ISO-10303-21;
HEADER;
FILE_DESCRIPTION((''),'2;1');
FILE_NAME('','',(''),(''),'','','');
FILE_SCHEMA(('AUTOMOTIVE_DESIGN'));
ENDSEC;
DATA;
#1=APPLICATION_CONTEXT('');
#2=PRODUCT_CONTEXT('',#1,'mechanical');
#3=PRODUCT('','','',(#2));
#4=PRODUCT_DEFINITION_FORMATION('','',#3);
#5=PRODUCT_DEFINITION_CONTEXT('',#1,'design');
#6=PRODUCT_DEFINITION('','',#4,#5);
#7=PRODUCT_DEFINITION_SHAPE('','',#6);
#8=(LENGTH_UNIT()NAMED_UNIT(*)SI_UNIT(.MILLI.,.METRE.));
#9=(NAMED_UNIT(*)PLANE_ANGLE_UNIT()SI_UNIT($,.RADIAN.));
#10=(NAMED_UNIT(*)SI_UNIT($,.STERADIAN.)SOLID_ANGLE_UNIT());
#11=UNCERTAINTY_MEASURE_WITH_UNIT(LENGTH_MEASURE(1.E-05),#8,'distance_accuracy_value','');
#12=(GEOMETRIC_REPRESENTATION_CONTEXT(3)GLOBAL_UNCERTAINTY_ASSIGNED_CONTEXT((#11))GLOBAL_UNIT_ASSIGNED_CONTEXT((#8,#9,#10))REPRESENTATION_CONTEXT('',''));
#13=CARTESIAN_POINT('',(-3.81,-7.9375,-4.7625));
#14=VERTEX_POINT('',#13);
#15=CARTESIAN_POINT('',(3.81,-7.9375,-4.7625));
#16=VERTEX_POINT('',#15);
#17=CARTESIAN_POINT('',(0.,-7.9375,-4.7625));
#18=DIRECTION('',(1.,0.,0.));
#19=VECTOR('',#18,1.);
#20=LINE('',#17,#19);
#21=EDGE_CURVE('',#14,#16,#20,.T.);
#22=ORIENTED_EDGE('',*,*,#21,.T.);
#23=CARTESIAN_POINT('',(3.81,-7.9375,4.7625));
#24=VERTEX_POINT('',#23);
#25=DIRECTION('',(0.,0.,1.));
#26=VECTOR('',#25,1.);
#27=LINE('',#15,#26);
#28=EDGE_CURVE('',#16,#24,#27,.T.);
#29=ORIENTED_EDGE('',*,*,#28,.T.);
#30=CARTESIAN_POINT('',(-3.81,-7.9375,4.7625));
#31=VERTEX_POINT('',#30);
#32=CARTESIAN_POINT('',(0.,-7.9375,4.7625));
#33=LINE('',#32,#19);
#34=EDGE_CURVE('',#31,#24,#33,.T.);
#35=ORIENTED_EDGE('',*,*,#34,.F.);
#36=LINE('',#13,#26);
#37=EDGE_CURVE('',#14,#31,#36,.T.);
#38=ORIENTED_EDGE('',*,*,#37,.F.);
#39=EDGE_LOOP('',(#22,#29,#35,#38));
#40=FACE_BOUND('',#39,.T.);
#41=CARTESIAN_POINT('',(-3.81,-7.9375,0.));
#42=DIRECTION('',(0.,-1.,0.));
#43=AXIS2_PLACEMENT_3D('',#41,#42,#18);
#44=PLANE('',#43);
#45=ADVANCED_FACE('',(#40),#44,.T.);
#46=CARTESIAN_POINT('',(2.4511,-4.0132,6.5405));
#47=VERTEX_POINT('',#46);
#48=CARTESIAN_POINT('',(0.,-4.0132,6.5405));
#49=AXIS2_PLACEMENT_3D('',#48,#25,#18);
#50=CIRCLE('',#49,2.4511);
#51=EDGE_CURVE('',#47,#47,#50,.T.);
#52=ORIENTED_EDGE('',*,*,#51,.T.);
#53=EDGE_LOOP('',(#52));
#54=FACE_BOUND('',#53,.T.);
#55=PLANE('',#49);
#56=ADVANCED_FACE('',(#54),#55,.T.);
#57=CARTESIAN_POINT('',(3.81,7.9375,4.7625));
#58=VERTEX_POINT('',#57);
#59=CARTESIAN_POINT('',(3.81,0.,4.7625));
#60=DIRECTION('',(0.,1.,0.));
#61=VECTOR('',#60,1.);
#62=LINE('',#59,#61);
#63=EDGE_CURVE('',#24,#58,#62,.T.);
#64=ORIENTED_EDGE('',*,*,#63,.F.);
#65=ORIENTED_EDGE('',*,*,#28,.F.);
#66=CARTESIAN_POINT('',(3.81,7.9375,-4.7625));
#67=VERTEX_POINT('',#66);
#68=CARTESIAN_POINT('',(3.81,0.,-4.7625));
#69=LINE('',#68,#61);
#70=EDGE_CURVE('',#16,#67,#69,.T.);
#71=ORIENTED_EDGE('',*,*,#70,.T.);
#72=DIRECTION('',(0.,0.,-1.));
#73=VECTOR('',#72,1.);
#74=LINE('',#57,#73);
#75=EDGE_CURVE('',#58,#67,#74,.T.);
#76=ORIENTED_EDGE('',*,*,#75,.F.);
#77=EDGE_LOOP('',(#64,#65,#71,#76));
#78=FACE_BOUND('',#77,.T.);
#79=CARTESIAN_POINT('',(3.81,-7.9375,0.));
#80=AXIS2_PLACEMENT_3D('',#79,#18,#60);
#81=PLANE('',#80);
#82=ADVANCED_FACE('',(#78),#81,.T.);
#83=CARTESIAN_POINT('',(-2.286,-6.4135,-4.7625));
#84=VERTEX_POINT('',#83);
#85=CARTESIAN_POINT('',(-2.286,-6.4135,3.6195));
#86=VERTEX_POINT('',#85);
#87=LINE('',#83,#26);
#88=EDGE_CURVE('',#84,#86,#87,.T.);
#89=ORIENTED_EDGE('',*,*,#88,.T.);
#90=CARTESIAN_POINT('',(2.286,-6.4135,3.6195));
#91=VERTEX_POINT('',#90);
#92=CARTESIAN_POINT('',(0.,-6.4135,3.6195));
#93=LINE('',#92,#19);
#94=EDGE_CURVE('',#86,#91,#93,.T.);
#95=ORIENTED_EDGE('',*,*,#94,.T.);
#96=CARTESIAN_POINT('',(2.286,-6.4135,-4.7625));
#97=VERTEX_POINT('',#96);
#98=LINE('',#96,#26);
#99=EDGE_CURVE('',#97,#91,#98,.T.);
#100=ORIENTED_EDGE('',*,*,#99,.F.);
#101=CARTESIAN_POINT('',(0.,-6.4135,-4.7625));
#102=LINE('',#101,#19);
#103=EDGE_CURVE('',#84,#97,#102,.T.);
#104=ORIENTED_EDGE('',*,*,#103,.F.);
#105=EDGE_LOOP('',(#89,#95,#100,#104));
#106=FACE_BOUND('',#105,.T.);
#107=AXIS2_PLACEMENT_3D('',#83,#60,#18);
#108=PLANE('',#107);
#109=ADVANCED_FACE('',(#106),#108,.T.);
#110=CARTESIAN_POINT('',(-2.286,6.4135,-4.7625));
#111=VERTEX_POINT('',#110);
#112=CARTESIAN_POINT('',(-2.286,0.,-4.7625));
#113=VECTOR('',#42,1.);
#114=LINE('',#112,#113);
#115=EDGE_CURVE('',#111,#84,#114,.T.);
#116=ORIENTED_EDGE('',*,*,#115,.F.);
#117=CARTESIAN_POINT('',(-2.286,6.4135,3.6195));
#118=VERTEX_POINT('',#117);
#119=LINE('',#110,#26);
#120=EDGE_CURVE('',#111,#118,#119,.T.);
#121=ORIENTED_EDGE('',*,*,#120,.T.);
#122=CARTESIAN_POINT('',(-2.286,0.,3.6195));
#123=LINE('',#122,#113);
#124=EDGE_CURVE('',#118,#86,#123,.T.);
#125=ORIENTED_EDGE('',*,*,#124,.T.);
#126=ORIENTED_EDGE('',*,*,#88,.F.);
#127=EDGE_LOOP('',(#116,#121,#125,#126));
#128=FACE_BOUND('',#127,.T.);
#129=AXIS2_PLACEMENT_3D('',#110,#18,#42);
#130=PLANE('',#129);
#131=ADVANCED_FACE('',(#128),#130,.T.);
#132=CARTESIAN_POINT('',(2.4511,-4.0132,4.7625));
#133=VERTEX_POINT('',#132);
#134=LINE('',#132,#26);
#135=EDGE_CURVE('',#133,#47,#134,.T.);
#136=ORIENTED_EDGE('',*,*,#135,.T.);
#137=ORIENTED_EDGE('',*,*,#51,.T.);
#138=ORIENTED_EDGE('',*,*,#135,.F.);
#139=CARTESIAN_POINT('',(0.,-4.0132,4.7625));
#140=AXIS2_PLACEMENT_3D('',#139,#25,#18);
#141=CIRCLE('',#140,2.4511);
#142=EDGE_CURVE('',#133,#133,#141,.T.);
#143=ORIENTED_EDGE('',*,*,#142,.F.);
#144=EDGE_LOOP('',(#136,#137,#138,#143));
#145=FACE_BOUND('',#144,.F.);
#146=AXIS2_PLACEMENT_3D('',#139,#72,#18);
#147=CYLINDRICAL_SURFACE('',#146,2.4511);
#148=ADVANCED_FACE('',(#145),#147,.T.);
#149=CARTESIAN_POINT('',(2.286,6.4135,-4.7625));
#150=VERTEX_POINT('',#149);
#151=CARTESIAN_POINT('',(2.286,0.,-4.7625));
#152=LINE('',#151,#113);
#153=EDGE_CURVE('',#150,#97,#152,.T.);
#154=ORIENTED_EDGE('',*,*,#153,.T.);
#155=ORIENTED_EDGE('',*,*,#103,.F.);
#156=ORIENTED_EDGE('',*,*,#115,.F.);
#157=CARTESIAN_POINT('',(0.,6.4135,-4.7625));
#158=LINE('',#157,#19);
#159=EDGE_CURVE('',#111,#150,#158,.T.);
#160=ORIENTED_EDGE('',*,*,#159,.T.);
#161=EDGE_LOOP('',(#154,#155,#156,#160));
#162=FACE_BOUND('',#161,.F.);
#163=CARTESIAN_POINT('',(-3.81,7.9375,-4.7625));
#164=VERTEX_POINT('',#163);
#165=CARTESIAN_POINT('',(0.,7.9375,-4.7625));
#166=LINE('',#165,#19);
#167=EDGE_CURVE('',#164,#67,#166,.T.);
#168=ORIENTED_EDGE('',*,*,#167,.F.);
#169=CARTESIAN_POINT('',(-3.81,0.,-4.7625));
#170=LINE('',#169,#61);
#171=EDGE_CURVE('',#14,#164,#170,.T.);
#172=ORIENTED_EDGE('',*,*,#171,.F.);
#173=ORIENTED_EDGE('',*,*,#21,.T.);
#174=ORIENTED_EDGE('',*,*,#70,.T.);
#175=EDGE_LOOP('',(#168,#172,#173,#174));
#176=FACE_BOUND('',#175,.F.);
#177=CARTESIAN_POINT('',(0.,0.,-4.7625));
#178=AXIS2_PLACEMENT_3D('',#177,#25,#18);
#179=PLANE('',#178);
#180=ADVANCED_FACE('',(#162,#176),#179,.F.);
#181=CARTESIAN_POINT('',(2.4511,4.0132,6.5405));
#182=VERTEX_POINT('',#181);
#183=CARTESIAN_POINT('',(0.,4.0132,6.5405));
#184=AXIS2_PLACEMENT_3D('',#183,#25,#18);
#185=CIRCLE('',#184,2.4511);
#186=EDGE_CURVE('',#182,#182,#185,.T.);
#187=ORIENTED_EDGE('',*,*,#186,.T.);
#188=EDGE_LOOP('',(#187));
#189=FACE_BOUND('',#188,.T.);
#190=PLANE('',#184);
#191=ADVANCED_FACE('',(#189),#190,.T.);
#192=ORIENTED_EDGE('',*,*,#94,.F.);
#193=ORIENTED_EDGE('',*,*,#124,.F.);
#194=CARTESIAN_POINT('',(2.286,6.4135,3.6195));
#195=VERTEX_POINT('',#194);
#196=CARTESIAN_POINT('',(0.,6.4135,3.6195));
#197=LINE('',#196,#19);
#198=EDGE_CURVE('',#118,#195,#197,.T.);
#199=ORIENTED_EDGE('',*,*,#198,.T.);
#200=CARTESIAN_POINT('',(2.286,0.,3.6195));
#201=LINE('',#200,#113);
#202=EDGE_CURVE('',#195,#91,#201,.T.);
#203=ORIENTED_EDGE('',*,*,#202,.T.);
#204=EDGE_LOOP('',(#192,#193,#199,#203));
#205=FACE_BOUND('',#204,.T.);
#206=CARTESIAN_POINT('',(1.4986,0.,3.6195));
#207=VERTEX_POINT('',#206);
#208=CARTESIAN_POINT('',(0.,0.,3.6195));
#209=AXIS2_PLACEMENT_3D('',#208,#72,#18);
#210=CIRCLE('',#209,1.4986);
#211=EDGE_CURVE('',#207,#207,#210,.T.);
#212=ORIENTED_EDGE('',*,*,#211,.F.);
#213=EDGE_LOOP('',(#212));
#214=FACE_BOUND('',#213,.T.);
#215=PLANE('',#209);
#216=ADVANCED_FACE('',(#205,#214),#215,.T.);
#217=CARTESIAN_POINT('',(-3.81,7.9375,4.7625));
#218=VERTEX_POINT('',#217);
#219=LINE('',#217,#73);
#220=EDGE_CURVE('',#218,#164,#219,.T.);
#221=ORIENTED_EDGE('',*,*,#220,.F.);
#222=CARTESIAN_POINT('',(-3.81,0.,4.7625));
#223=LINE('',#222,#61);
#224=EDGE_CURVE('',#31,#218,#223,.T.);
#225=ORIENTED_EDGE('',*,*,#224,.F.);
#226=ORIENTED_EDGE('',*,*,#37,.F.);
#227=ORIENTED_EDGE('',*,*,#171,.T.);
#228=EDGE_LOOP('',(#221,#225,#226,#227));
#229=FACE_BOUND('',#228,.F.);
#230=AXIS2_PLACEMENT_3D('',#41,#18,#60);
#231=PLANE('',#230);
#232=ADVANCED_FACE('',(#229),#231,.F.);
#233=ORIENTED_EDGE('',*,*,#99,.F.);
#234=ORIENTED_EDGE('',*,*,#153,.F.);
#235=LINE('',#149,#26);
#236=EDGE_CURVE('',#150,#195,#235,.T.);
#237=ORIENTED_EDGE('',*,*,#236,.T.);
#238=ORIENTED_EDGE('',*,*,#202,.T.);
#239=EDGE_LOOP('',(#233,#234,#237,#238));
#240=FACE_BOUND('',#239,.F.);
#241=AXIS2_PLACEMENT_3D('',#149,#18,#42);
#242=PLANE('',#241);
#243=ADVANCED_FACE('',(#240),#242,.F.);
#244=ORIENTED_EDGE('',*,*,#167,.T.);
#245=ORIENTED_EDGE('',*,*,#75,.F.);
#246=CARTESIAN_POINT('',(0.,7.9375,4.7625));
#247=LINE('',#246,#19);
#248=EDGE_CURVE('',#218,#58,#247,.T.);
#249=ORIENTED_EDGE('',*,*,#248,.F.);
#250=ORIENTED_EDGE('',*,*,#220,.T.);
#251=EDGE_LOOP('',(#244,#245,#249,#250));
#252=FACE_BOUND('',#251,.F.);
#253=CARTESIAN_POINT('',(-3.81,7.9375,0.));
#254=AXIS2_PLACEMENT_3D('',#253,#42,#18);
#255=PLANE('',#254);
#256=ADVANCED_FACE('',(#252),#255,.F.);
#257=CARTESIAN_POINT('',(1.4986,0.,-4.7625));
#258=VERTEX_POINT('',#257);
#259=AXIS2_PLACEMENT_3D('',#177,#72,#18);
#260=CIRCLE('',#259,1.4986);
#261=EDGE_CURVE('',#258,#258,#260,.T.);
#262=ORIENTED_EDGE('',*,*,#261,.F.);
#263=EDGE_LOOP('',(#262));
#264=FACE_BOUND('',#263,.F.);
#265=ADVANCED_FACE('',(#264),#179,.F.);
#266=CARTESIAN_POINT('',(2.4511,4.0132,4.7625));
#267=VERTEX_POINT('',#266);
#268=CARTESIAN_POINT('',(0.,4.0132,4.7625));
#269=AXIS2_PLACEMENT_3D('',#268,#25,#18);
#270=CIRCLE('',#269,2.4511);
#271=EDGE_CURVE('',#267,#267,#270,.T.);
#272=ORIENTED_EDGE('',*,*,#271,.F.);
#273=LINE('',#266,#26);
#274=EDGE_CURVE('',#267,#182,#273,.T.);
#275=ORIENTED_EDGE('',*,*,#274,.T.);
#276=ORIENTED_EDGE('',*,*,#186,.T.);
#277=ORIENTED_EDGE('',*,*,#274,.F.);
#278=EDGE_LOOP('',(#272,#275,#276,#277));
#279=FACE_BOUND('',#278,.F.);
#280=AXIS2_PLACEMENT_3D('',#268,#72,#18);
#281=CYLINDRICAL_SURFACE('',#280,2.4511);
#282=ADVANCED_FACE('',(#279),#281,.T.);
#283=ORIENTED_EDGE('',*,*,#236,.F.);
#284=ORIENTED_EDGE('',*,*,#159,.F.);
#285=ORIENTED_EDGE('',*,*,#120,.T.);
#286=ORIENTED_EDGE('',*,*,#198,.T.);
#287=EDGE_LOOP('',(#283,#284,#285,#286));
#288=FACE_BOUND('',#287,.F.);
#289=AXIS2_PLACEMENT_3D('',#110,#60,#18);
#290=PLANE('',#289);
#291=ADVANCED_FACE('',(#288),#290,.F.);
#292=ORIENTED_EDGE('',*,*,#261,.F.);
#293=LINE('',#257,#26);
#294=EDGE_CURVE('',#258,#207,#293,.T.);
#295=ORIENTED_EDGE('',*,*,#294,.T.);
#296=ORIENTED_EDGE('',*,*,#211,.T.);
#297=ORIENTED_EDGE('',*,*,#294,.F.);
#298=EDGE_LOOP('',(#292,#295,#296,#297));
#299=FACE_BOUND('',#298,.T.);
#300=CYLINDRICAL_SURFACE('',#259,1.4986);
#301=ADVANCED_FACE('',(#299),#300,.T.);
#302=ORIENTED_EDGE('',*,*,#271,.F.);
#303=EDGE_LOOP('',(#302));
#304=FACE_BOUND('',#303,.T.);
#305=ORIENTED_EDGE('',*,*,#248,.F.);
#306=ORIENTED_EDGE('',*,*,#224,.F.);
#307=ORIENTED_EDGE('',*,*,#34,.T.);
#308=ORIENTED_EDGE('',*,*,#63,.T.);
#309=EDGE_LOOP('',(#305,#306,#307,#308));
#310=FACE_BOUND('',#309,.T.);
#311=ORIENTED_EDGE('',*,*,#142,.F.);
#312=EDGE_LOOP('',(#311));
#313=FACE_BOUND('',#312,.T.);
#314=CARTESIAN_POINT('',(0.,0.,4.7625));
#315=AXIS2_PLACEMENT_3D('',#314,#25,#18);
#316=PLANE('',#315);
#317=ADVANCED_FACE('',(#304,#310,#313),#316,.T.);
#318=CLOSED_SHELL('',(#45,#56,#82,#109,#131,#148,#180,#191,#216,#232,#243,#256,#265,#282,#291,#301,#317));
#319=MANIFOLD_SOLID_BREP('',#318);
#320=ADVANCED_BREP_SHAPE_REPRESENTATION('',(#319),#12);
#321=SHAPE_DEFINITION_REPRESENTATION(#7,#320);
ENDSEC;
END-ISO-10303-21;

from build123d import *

# Parameters (mm, degrees)
F0_W     = 7.62
F0_H     = 15.875
F1_DEPTH = 4.7625
F2_R     = 2.4511
F3_DEPTH = 1.778
F4_W     = 4.572
F4_H     = 12.827
F4_R     = 1.4986
F5_DEPTH = 8.382


with BuildPart() as f1:
    # F0 (on Top) → F1 (new body, symmetric)
    with BuildSketch(Plane.XY):
        Rectangle(F0_W, F0_H)
    extrude(amount=F1_DEPTH, both=True)

    # F2 (on face) → F3 (join)
    with BuildSketch(Plane.XY.offset(4.7625)):
        with Locations((0, 4.0132)):
            Circle(F2_R)
        with Locations((0, -4.0132)):
            Circle(F2_R)
    extrude(amount=F3_DEPTH)

    # F4 (on face) → F5 (cut)
    with BuildSketch(Plane(origin=(0, 0, -4.7625), x_dir=(1, 0, 0), z_dir=(0, 0, -1))):
        Rectangle(F4_W, F4_H)
        Circle(F4_R, mode=Mode.SUBTRACT)
    extrude(amount=-F5_DEPTH, mode=Mode.SUBTRACT)


solid = f1.part
